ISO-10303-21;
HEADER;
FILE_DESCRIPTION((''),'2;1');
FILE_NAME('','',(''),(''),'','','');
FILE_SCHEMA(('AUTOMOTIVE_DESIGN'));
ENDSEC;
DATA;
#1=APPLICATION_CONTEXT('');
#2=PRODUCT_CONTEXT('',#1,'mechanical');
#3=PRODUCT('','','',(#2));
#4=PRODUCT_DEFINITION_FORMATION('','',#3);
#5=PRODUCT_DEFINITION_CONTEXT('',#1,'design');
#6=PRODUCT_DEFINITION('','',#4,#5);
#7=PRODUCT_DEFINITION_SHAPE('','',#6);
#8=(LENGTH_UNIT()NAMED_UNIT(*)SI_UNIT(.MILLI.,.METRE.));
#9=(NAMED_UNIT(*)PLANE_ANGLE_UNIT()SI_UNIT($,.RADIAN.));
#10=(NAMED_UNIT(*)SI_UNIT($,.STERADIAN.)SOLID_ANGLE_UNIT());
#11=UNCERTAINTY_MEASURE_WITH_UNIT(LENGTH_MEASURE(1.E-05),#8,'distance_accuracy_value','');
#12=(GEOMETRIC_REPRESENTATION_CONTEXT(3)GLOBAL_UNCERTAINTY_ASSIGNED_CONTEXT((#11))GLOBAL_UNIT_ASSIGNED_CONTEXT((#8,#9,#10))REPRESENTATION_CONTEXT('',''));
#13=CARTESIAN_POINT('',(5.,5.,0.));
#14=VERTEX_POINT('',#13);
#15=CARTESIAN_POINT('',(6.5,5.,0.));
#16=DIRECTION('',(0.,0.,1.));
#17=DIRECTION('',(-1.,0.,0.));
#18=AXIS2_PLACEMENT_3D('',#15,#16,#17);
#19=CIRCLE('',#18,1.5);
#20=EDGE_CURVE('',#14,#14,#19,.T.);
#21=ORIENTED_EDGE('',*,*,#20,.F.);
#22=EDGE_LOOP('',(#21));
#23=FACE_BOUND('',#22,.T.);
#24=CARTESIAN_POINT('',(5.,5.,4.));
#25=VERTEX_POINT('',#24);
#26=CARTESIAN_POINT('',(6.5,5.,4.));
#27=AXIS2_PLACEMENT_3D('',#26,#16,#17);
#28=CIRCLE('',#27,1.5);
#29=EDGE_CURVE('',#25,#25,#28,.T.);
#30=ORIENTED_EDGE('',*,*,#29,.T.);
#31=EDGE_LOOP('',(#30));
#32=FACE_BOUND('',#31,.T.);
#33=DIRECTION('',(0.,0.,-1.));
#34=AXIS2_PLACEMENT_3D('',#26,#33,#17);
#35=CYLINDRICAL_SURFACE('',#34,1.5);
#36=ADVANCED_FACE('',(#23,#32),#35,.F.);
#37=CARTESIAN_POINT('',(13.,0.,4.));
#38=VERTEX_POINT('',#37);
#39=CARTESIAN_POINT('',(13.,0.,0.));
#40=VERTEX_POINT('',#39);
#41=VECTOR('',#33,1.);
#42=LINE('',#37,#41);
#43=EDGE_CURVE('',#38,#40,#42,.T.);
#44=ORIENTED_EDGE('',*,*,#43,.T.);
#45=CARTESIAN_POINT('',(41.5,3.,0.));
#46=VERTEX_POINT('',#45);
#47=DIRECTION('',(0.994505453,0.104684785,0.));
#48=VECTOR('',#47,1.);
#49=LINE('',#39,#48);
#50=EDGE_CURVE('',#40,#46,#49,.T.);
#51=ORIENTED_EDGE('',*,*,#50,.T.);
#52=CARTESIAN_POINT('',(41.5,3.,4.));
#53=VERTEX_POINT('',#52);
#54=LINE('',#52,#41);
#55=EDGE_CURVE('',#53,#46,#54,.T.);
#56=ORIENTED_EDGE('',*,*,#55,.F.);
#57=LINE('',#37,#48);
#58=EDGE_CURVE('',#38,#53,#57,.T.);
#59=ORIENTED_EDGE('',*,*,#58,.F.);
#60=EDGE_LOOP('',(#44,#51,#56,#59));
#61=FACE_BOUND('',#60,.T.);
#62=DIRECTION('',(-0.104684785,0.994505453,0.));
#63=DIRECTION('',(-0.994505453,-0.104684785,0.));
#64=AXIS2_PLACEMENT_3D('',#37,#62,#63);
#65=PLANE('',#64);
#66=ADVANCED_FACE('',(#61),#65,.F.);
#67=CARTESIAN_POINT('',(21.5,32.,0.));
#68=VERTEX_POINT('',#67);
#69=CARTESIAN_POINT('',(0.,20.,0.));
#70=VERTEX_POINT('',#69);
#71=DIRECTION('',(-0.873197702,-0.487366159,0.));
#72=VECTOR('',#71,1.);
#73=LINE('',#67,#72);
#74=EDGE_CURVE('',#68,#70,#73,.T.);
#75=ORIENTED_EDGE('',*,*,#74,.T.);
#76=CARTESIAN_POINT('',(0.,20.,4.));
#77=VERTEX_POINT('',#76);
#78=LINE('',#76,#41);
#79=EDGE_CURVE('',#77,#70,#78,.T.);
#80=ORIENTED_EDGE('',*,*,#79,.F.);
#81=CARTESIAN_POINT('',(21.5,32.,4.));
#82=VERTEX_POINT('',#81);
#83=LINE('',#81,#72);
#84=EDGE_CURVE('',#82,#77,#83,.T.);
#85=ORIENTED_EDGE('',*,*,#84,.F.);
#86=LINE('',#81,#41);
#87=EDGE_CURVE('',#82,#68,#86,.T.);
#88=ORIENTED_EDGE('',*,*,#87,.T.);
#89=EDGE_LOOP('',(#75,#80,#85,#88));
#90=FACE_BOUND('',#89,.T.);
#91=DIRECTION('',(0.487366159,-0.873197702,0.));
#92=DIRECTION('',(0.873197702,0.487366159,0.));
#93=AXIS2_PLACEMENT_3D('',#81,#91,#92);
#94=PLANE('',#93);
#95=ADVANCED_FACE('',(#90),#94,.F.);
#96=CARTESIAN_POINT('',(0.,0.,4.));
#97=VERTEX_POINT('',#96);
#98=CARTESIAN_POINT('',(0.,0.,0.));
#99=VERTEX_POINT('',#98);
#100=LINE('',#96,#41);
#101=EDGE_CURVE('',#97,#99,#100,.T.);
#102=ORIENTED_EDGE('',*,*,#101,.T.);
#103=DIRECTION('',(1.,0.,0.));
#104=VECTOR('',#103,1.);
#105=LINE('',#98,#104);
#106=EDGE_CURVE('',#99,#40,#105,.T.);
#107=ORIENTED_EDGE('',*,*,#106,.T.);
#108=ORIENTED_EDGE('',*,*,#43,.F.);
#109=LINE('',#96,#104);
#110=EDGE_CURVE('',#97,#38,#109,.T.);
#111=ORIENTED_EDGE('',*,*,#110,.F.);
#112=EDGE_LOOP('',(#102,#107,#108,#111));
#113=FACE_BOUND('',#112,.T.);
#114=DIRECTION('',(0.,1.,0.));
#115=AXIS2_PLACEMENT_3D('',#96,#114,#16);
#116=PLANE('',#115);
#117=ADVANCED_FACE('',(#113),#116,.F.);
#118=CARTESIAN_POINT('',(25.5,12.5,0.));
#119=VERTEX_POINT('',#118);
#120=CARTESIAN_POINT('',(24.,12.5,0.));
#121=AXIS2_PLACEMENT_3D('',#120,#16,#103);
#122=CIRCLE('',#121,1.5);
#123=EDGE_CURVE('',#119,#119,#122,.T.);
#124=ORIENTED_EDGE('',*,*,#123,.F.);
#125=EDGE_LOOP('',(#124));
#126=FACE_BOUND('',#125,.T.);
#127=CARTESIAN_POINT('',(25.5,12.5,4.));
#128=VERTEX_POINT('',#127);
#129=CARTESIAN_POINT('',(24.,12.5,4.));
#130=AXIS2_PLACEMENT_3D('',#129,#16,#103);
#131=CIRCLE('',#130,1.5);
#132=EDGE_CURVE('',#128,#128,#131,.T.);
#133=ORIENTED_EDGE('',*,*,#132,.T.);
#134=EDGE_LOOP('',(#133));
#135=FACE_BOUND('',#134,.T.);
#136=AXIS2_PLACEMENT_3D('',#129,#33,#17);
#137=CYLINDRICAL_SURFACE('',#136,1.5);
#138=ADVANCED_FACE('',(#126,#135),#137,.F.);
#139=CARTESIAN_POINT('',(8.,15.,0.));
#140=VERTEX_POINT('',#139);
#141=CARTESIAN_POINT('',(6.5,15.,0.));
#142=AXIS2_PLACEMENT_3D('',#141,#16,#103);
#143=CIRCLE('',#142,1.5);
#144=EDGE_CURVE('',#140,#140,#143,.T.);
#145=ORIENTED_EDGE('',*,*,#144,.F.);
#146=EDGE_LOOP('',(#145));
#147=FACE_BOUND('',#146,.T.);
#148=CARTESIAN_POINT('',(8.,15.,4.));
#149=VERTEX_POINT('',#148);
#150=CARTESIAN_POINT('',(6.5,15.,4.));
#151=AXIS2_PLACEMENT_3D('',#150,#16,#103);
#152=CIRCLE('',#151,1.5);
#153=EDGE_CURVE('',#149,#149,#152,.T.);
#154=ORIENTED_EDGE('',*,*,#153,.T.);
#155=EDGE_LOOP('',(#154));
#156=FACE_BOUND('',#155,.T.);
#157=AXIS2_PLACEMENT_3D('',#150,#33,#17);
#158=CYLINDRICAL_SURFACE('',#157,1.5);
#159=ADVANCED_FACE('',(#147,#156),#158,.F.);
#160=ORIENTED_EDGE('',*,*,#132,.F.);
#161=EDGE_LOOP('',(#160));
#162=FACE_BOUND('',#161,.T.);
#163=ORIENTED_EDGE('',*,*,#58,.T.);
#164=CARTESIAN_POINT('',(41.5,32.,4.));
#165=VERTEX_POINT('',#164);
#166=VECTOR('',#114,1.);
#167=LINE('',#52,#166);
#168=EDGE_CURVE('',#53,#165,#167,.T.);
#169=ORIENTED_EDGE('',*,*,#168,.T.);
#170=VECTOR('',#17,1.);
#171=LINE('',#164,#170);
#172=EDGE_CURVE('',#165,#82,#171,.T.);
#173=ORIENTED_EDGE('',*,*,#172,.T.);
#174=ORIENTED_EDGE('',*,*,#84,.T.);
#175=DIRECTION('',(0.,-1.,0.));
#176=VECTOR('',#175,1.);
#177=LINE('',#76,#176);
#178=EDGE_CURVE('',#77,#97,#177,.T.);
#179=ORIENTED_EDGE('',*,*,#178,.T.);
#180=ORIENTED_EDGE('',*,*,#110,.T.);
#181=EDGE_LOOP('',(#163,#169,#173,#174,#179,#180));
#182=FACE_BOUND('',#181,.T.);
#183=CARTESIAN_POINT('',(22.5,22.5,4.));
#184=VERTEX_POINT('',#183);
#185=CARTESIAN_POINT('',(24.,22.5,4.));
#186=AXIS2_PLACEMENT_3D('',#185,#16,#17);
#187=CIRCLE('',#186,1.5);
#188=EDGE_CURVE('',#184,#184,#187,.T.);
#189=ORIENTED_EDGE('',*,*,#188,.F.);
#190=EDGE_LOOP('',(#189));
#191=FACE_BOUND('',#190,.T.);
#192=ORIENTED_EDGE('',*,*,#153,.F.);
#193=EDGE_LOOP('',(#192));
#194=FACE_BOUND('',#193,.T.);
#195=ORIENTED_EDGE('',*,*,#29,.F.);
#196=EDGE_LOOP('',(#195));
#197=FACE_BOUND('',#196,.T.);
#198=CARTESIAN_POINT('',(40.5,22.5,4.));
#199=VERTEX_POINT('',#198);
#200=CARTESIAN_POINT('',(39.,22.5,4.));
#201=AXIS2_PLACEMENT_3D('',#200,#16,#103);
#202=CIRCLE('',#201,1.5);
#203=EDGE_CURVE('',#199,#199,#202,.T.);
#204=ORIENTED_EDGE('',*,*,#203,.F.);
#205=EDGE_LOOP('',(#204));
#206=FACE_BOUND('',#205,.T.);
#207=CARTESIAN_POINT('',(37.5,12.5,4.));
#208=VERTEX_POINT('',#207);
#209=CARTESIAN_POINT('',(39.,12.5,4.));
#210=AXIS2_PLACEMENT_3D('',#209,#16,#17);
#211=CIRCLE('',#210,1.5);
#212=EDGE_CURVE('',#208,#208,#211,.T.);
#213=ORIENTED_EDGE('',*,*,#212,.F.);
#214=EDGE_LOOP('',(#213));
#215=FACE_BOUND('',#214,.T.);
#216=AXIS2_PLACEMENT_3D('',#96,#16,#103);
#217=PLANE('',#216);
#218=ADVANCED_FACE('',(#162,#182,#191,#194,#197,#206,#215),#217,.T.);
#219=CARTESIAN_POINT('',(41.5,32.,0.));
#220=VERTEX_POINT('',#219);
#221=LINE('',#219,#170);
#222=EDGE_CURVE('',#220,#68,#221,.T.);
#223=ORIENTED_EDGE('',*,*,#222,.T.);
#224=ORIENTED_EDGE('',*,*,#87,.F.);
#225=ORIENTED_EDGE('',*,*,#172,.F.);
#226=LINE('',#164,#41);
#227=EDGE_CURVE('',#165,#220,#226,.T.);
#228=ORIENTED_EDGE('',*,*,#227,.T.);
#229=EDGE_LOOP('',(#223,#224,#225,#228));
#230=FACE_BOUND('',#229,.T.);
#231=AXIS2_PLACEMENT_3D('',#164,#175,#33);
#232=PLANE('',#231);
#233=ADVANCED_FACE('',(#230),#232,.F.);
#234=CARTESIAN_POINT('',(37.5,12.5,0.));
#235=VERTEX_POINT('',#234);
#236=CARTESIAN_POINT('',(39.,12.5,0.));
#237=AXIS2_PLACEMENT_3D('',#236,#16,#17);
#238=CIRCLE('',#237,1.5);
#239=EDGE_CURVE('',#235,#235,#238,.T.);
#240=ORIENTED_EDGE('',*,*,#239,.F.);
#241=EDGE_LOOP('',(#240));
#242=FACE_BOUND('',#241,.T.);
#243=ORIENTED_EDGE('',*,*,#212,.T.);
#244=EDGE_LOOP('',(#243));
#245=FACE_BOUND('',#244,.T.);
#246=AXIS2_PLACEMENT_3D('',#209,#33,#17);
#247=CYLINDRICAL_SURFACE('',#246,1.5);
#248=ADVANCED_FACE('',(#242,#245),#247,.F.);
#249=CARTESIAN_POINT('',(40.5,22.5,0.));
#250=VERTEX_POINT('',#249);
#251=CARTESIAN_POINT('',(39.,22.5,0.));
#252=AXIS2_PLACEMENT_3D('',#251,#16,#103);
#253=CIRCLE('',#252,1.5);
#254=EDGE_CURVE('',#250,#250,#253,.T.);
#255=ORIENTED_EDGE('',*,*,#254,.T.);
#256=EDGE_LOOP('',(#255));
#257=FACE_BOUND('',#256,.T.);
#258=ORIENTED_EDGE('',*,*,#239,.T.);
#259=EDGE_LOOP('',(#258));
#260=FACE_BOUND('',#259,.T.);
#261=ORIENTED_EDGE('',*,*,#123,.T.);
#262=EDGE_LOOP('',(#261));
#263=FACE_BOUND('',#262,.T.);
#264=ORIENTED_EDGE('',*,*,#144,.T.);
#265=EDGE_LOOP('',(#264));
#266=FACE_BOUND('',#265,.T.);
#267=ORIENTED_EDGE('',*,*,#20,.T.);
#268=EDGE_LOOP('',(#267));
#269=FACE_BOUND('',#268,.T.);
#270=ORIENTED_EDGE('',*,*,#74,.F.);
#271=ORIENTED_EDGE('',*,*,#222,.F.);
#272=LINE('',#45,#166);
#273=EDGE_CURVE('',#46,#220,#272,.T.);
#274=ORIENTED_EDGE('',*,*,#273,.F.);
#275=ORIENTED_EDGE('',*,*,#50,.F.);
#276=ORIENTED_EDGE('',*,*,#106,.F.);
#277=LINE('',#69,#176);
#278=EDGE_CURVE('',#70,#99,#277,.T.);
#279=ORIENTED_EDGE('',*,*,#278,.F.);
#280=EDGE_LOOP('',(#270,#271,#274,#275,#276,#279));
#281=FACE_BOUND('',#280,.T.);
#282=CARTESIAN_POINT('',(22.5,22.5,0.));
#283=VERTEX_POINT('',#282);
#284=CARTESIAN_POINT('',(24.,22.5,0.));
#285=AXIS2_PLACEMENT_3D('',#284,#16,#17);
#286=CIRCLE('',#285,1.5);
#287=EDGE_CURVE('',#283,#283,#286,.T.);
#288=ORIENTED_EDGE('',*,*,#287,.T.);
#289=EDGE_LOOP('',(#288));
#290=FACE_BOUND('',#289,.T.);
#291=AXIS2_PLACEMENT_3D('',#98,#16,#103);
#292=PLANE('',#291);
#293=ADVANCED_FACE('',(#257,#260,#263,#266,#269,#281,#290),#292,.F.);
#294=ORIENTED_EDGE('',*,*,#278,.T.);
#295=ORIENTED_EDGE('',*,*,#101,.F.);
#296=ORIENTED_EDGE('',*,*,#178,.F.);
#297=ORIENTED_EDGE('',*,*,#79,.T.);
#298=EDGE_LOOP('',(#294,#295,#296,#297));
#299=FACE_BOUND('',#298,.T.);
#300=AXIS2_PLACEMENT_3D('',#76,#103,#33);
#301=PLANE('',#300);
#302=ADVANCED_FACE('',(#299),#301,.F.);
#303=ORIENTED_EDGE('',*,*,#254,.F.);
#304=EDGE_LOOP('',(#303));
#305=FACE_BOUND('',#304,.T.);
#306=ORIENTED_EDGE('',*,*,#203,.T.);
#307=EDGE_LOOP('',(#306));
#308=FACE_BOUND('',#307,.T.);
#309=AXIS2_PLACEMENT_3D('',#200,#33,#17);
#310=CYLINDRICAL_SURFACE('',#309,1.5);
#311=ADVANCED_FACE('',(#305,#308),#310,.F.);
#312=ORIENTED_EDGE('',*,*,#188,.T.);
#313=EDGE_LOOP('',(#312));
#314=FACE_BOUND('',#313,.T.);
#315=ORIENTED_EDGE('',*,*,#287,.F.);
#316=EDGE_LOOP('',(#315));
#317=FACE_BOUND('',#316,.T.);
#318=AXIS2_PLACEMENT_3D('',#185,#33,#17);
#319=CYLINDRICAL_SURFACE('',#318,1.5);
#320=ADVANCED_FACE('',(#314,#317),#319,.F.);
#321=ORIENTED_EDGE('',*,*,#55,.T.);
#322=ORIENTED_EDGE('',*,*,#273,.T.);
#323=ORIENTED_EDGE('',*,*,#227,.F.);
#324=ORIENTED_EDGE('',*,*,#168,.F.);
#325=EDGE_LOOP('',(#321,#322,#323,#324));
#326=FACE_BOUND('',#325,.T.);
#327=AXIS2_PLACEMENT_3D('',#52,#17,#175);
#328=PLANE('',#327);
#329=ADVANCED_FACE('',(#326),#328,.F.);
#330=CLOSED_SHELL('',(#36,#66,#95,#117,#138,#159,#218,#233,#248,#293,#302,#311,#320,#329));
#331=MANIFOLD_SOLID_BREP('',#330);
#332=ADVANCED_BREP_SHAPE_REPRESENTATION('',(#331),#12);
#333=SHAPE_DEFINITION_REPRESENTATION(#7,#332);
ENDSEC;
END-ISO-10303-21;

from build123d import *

# Parameters (mm, degrees)
SKETCH_1_R      = 1.5
EXTRUDE_1_DEPTH = 4


with BuildPart() as part:
    # 草图1 → 凸台-拉伸1 (new body)
    with BuildSketch(Plane.XY):
        Polygon((0, 0), (13, 0), (41.5, 3), (41.5, 32), (21.5, 32), (0, 20), align=None)
        with Locations((6.5, 15)):
            Circle(SKETCH_1_R, mode=Mode.SUBTRACT)
        with Locations(Location((6.5, 5, 0), (0, 0, 180))):
            Circle(SKETCH_1_R, mode=Mode.SUBTRACT)
        with Locations((24, 12.5)):
            Circle(SKETCH_1_R, mode=Mode.SUBTRACT)
        with Locations(Location((39, 12.5, 0), (0, 0, 180))):
            Circle(SKETCH_1_R, mode=Mode.SUBTRACT)
        with Locations(Location((24, 22.5, 0), (0, 0, 180))):
            Circle(SKETCH_1_R, mode=Mode.SUBTRACT)
        with Locations((39, 22.5)):
            Circle(SKETCH_1_R, mode=Mode.SUBTRACT)
    extrude(amount=EXTRUDE_1_DEPTH)


solid = part.part
